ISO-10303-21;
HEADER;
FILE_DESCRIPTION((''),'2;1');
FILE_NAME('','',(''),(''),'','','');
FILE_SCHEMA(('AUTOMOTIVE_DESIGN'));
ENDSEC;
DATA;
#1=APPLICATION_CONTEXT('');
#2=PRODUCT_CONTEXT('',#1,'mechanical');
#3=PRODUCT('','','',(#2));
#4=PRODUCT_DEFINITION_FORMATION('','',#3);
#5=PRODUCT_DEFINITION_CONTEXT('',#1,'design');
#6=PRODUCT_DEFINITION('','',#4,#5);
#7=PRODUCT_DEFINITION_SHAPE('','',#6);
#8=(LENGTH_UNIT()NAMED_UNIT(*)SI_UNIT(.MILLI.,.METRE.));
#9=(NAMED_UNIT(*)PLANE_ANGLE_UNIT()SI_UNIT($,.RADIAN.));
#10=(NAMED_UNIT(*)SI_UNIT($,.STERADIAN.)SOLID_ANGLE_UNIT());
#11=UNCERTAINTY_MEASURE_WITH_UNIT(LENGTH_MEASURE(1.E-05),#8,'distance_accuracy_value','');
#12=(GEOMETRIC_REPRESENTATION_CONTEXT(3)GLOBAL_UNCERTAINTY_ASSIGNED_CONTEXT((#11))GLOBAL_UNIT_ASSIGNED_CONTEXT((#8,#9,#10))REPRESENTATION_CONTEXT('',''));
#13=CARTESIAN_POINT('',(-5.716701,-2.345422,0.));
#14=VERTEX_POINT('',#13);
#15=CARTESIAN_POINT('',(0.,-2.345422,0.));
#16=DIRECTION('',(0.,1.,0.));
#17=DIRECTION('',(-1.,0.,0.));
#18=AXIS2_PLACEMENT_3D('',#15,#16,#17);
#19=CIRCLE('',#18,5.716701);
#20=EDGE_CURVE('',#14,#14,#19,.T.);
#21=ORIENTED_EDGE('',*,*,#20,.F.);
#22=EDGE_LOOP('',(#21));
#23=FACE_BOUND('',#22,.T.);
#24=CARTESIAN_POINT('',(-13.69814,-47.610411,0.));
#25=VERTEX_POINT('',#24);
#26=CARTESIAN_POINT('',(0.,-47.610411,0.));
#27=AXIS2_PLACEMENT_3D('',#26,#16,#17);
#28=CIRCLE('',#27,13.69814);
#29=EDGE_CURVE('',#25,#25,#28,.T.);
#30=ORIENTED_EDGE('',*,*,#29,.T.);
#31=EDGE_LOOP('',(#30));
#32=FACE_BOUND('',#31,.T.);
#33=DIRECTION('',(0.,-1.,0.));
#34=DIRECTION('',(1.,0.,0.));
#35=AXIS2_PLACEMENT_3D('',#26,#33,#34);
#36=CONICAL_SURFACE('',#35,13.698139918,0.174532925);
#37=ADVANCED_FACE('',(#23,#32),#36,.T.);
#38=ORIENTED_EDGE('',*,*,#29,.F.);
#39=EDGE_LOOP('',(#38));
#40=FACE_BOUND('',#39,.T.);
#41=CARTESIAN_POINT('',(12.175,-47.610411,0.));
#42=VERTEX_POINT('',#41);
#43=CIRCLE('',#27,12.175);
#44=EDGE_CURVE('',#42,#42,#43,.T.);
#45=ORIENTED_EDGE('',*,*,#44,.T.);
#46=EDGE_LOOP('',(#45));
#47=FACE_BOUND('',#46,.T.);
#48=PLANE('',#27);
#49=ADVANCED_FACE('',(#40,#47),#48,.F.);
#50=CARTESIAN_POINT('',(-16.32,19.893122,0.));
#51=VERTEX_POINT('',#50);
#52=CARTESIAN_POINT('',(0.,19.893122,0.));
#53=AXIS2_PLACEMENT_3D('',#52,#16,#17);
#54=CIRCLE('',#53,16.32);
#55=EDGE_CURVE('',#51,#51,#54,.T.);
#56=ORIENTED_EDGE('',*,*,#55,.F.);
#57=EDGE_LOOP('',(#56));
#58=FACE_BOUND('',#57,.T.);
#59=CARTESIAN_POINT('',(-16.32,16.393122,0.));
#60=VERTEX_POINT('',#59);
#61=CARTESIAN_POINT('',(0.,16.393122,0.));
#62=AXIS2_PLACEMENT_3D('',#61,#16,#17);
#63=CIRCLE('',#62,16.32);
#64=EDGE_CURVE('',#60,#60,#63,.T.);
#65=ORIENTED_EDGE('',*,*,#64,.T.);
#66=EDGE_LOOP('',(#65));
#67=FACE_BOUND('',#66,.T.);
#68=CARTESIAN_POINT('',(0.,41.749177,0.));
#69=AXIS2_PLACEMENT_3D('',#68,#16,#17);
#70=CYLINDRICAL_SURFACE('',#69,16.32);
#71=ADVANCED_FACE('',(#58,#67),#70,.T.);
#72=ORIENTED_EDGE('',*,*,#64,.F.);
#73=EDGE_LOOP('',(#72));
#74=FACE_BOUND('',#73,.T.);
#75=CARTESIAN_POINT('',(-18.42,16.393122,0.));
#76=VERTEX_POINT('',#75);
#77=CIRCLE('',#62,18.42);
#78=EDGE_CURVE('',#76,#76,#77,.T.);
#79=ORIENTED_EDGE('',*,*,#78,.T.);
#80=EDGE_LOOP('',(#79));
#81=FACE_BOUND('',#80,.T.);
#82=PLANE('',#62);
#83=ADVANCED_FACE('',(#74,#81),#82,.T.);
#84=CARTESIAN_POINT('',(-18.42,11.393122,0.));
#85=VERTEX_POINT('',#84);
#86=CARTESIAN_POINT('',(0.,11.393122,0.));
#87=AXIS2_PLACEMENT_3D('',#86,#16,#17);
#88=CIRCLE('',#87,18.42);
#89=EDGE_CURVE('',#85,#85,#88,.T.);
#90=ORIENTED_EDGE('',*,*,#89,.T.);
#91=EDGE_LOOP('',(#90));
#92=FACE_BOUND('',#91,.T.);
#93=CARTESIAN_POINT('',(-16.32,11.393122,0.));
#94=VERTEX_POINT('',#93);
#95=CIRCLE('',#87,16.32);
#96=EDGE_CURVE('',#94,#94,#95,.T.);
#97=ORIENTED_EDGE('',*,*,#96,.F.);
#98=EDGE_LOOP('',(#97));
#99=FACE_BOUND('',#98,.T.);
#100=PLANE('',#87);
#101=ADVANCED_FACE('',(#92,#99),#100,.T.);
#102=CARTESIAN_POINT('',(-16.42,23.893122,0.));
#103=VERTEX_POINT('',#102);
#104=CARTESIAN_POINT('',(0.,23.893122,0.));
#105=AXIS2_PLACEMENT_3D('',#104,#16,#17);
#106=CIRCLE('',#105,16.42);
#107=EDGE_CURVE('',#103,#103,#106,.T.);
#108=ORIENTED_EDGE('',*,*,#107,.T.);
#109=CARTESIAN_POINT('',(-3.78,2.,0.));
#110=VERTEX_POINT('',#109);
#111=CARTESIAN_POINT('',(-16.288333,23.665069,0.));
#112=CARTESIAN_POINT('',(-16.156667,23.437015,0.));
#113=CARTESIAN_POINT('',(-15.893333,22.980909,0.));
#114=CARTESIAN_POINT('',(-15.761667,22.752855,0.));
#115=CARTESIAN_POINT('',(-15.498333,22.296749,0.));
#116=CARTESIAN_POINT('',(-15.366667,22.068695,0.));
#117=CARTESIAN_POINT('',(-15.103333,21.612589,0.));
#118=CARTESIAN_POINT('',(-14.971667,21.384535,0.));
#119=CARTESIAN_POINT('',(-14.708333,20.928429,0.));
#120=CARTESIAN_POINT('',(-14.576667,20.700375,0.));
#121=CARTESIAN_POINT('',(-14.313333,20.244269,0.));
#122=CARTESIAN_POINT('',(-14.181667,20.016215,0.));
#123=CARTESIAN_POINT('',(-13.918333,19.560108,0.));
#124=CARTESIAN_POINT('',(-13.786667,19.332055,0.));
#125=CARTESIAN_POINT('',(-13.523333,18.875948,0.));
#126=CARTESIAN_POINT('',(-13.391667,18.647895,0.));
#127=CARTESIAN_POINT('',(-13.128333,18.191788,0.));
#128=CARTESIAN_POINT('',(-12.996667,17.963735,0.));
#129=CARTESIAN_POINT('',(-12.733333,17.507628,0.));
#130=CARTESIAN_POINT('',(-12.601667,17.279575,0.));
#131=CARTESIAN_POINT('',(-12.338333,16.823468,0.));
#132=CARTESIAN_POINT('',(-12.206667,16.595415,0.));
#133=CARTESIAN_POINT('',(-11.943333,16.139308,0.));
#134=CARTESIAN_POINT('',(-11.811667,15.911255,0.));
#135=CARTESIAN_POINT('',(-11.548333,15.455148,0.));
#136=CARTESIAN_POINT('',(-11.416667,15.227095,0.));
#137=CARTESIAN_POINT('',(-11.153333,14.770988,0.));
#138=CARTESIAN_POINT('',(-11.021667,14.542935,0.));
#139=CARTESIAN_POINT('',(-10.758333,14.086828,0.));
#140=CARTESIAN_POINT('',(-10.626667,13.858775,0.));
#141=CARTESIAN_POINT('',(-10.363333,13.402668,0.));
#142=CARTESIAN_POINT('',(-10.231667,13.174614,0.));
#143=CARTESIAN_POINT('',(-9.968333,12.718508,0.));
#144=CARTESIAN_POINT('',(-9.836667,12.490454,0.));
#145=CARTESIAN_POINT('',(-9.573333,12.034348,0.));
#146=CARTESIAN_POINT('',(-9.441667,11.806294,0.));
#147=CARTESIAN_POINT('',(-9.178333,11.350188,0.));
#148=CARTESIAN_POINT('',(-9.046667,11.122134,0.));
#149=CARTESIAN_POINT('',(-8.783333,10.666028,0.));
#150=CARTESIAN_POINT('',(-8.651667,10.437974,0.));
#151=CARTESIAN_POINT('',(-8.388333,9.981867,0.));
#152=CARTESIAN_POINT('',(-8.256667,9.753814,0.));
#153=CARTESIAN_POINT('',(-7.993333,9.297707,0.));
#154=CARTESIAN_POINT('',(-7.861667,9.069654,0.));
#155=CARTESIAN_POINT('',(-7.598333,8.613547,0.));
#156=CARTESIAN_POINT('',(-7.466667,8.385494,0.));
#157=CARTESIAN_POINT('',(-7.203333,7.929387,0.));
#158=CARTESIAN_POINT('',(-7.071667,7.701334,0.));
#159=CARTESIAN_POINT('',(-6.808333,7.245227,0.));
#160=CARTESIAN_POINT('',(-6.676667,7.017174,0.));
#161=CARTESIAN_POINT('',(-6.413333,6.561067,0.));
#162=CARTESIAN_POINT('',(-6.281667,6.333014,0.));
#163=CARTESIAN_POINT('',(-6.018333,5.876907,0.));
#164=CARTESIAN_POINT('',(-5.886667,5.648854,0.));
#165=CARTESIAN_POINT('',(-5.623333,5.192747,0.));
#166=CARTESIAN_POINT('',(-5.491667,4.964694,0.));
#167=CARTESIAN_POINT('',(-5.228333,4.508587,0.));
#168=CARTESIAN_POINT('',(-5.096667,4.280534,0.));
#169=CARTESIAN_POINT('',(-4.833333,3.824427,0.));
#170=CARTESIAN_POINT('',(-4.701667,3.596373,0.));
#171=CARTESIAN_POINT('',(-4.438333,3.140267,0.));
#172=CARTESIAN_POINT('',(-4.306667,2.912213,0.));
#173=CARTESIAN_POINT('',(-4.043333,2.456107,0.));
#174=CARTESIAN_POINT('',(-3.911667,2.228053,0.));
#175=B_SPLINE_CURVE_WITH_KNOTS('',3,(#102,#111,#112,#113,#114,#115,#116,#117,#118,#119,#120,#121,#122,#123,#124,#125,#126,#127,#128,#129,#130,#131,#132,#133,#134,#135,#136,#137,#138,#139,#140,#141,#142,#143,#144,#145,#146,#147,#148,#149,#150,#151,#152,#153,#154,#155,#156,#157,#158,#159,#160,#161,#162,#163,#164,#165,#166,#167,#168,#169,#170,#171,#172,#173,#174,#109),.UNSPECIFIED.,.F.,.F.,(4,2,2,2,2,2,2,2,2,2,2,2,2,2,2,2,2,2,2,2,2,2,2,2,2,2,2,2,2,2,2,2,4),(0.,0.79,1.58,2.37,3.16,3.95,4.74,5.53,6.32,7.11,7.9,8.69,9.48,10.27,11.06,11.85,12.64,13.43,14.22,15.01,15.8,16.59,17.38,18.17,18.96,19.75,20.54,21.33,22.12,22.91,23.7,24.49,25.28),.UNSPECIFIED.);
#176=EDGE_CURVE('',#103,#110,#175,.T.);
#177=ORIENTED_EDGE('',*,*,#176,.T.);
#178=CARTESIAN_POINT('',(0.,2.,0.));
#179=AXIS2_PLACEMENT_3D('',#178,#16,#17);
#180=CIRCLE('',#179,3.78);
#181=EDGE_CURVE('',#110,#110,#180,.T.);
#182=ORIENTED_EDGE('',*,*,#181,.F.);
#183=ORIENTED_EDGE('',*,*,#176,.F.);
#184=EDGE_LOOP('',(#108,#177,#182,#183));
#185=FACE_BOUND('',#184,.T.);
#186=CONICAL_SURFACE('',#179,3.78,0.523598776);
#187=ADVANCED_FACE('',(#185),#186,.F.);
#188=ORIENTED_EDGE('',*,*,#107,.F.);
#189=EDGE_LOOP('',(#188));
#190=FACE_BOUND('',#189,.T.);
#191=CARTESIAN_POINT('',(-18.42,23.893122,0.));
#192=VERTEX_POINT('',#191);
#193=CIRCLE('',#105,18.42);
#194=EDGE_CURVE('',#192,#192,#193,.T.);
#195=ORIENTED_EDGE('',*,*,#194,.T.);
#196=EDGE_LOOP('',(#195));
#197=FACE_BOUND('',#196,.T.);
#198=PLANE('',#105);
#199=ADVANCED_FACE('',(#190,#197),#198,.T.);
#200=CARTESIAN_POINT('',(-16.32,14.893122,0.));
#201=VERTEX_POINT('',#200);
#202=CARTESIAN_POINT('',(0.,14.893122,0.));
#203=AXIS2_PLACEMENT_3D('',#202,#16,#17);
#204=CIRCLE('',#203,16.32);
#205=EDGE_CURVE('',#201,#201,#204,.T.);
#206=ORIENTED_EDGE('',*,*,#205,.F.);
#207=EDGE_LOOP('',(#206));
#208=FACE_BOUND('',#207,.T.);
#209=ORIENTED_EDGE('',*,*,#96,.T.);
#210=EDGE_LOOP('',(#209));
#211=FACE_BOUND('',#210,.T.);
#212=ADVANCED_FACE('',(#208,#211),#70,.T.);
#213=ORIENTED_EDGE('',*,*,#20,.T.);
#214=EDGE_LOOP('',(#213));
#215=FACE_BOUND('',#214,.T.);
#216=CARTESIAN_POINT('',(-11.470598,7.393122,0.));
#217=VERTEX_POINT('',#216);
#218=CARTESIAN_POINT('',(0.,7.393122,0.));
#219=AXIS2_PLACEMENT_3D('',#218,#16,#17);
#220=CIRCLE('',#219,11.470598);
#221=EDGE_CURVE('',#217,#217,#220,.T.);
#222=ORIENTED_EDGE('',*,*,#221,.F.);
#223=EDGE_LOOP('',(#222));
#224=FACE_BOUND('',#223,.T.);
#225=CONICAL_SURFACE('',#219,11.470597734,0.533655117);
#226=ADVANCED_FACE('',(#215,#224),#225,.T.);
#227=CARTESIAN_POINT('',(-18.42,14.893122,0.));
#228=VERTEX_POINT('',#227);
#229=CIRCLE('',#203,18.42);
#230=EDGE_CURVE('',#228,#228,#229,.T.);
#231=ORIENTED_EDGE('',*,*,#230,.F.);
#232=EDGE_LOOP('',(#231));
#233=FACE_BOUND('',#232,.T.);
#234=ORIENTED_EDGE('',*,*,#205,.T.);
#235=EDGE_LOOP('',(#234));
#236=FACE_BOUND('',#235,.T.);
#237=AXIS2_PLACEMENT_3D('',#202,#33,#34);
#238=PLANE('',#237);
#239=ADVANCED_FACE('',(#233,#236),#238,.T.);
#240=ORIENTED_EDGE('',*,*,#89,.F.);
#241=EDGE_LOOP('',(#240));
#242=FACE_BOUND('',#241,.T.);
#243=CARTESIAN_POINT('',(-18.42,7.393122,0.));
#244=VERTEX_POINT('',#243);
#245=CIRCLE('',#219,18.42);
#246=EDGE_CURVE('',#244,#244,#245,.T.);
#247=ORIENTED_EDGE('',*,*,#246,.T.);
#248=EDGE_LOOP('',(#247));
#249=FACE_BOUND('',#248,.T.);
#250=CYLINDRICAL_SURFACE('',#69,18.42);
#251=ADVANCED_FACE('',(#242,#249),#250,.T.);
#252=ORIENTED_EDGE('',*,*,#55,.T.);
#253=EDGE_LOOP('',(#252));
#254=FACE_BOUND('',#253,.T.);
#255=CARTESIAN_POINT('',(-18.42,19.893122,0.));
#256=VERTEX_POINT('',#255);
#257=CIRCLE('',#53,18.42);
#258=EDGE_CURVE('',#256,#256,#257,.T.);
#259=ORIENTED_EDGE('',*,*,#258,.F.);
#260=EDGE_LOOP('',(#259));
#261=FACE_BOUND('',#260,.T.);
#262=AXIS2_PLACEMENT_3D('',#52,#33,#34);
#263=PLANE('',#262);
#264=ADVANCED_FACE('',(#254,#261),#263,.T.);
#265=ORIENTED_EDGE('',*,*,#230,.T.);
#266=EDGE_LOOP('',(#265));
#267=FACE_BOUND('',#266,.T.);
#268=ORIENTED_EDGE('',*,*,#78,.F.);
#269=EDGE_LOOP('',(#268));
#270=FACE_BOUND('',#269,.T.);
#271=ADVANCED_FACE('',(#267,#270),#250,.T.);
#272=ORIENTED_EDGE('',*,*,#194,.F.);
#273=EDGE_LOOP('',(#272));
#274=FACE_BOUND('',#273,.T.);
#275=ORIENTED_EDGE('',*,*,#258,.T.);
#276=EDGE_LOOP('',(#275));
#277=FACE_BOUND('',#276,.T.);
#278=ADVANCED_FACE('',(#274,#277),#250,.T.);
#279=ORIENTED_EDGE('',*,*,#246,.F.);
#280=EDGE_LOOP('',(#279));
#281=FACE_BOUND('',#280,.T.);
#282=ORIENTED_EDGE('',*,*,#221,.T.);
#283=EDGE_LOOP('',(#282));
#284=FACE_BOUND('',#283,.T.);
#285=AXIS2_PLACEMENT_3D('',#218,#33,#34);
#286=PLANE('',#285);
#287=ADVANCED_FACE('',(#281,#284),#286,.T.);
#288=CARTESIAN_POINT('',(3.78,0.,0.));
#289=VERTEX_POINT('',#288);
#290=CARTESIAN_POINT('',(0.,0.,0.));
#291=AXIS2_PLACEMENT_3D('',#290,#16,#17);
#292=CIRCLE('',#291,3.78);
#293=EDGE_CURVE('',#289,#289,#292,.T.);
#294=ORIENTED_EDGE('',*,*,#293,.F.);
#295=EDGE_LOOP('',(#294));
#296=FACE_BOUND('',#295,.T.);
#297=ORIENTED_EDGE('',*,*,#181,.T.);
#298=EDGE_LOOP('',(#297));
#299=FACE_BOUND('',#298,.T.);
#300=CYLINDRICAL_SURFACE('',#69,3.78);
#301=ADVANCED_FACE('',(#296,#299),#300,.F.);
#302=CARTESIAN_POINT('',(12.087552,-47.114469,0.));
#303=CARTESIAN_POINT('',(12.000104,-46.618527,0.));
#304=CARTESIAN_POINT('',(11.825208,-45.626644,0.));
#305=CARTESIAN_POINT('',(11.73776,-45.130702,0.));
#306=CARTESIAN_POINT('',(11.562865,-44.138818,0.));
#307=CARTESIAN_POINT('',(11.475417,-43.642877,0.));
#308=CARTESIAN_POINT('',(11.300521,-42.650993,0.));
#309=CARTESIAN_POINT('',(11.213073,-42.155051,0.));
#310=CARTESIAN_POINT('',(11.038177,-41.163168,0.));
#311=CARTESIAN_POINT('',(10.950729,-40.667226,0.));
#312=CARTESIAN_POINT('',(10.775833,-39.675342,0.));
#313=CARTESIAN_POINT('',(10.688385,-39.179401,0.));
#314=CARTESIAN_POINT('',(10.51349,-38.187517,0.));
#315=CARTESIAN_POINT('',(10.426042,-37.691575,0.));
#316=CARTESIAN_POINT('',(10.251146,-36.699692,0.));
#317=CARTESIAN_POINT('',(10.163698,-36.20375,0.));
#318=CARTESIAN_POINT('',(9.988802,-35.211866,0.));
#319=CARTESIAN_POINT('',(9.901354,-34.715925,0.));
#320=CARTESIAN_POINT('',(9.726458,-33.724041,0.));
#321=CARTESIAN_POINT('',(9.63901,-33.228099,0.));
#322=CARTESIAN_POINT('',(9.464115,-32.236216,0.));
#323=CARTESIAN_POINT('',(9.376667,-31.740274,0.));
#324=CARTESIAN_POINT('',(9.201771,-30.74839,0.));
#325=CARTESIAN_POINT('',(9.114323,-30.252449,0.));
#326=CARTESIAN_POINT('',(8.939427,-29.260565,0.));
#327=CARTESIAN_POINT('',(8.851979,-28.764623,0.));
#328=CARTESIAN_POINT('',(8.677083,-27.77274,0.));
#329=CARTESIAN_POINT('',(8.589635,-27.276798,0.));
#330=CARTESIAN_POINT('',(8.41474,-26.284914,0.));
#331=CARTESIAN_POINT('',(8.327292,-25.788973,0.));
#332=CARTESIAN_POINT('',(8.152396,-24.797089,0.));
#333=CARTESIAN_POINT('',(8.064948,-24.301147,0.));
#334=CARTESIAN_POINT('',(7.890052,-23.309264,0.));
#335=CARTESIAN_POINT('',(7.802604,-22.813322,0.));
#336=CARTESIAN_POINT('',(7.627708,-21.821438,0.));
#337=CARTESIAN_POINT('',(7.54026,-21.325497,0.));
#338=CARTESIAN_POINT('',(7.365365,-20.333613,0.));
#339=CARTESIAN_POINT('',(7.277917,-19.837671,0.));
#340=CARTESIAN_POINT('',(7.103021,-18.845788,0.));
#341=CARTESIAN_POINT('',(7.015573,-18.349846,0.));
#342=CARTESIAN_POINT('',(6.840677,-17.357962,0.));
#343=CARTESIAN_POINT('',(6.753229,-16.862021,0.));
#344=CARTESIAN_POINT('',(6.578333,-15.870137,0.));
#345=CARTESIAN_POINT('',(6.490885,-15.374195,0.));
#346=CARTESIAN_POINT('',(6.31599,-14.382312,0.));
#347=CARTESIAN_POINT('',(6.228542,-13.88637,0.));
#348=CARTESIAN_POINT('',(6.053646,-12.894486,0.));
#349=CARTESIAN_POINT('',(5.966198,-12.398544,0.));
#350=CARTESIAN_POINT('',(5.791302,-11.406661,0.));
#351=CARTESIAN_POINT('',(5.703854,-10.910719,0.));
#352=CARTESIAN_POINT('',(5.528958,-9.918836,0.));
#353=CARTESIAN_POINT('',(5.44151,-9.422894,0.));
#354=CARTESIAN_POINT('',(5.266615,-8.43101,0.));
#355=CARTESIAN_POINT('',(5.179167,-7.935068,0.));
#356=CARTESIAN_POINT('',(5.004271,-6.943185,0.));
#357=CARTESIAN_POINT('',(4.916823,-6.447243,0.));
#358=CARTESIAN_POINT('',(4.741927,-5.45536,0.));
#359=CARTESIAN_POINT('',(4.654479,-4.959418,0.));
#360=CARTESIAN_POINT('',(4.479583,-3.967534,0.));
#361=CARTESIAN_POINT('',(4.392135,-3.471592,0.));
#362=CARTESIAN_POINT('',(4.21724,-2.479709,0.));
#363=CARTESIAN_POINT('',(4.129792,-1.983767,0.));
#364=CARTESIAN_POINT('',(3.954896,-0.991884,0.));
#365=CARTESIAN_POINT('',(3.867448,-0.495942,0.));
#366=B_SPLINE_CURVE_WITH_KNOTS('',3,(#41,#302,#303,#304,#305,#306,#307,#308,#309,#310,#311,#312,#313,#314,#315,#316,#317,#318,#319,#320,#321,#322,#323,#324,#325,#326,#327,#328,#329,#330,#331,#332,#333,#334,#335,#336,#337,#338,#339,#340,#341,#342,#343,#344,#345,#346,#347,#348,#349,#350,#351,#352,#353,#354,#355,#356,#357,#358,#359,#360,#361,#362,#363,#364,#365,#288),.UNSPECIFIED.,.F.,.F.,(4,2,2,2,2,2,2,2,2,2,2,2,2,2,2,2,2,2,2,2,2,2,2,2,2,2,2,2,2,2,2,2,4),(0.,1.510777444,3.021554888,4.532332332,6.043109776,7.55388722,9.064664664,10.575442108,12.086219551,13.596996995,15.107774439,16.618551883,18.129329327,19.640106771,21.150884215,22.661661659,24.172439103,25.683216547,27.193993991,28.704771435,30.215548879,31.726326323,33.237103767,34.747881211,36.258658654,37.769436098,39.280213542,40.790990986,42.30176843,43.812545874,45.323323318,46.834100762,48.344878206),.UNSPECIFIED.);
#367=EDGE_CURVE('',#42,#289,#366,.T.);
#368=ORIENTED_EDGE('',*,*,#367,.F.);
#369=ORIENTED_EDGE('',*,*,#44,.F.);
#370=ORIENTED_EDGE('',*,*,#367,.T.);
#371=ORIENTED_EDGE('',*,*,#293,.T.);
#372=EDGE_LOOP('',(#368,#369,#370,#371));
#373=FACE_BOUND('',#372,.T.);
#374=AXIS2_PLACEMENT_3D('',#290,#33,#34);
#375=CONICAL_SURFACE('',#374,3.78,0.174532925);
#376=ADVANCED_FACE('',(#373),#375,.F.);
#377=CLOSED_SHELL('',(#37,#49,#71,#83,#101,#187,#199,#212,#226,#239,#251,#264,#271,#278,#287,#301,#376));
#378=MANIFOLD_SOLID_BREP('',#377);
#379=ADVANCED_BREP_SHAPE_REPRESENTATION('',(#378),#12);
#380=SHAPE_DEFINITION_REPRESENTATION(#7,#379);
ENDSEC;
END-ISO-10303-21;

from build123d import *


with BuildPart() as part:
    # Esboço1 → Revolução1 (revolve)
    with BuildSketch(Plane.XY):
        Polygon((-18.42, 7.393122208), (-11.470597734, 7.393122208), (-5.71670102, -2.345421559), (-13.698139918, -47.610410876), (-12.175, -47.610410876), (-3.78, 0), (-3.78, 2), (-16.42, 23.893122208), (-18.42, 23.893122208), (-18.42, 19.893122208), (-16.32, 19.893122208), (-16.32, 16.393122208), (-18.42, 16.393122208), (-18.42, 14.893122208), (-16.32, 14.893122208), (-16.32, 11.393122208), (-18.42, 11.393122208), align=None)
    revolve(axis=Axis((0, 41.74917716, 0), (0, -1, 0)))


solid = part.part
